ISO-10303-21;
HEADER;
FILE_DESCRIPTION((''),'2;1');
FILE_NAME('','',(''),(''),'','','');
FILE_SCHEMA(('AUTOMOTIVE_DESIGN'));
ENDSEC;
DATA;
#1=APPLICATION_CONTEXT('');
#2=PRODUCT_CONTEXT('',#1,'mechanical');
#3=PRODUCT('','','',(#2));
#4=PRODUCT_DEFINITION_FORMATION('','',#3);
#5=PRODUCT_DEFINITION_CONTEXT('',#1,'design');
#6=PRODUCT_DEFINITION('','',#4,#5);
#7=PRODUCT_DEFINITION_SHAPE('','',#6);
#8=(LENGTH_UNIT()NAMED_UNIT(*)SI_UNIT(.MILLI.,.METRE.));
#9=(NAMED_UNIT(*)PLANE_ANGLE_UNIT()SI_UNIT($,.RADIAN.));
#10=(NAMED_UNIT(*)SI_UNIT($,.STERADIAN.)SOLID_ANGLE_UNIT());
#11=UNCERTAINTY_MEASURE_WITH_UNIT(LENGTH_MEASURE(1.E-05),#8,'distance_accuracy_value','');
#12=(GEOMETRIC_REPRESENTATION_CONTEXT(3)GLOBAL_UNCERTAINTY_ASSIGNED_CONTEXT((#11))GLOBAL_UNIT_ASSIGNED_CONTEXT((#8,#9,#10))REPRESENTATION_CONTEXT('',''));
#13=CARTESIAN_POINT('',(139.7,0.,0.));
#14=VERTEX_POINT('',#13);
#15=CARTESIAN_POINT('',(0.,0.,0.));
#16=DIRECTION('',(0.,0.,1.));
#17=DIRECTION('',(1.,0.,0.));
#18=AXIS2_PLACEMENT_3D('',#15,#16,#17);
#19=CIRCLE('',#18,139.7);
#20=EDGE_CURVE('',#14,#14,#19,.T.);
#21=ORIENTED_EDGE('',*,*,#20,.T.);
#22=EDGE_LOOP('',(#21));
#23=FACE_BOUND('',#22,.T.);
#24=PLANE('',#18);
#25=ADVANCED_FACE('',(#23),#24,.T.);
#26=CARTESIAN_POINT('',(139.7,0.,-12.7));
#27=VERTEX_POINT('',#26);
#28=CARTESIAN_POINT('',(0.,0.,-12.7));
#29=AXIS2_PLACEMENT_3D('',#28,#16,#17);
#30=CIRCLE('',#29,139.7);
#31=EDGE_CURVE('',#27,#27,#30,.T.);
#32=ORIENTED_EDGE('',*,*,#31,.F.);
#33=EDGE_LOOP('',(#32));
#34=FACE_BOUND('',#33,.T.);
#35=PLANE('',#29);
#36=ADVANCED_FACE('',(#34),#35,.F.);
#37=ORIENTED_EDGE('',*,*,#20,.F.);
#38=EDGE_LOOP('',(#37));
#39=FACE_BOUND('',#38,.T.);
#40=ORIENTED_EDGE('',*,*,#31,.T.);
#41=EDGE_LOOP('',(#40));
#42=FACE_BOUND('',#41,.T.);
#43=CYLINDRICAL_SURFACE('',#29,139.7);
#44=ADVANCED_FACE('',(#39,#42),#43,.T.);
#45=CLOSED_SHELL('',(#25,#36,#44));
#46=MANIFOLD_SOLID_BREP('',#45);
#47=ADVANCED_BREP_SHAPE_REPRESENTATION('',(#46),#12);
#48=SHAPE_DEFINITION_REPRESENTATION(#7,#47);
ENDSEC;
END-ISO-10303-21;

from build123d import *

# Parameters (mm, degrees)
SKETCH2_R           = 139.7
BOSS_EXTRUDE3_DEPTH = 12.7


with BuildPart() as part:
    # Sketch2 → Boss-Extrude3 (new body)
    with BuildSketch(Plane.XY):
        Circle(SKETCH2_R)
    extrude(amount=-BOSS_EXTRUDE3_DEPTH)


solid = part.part
